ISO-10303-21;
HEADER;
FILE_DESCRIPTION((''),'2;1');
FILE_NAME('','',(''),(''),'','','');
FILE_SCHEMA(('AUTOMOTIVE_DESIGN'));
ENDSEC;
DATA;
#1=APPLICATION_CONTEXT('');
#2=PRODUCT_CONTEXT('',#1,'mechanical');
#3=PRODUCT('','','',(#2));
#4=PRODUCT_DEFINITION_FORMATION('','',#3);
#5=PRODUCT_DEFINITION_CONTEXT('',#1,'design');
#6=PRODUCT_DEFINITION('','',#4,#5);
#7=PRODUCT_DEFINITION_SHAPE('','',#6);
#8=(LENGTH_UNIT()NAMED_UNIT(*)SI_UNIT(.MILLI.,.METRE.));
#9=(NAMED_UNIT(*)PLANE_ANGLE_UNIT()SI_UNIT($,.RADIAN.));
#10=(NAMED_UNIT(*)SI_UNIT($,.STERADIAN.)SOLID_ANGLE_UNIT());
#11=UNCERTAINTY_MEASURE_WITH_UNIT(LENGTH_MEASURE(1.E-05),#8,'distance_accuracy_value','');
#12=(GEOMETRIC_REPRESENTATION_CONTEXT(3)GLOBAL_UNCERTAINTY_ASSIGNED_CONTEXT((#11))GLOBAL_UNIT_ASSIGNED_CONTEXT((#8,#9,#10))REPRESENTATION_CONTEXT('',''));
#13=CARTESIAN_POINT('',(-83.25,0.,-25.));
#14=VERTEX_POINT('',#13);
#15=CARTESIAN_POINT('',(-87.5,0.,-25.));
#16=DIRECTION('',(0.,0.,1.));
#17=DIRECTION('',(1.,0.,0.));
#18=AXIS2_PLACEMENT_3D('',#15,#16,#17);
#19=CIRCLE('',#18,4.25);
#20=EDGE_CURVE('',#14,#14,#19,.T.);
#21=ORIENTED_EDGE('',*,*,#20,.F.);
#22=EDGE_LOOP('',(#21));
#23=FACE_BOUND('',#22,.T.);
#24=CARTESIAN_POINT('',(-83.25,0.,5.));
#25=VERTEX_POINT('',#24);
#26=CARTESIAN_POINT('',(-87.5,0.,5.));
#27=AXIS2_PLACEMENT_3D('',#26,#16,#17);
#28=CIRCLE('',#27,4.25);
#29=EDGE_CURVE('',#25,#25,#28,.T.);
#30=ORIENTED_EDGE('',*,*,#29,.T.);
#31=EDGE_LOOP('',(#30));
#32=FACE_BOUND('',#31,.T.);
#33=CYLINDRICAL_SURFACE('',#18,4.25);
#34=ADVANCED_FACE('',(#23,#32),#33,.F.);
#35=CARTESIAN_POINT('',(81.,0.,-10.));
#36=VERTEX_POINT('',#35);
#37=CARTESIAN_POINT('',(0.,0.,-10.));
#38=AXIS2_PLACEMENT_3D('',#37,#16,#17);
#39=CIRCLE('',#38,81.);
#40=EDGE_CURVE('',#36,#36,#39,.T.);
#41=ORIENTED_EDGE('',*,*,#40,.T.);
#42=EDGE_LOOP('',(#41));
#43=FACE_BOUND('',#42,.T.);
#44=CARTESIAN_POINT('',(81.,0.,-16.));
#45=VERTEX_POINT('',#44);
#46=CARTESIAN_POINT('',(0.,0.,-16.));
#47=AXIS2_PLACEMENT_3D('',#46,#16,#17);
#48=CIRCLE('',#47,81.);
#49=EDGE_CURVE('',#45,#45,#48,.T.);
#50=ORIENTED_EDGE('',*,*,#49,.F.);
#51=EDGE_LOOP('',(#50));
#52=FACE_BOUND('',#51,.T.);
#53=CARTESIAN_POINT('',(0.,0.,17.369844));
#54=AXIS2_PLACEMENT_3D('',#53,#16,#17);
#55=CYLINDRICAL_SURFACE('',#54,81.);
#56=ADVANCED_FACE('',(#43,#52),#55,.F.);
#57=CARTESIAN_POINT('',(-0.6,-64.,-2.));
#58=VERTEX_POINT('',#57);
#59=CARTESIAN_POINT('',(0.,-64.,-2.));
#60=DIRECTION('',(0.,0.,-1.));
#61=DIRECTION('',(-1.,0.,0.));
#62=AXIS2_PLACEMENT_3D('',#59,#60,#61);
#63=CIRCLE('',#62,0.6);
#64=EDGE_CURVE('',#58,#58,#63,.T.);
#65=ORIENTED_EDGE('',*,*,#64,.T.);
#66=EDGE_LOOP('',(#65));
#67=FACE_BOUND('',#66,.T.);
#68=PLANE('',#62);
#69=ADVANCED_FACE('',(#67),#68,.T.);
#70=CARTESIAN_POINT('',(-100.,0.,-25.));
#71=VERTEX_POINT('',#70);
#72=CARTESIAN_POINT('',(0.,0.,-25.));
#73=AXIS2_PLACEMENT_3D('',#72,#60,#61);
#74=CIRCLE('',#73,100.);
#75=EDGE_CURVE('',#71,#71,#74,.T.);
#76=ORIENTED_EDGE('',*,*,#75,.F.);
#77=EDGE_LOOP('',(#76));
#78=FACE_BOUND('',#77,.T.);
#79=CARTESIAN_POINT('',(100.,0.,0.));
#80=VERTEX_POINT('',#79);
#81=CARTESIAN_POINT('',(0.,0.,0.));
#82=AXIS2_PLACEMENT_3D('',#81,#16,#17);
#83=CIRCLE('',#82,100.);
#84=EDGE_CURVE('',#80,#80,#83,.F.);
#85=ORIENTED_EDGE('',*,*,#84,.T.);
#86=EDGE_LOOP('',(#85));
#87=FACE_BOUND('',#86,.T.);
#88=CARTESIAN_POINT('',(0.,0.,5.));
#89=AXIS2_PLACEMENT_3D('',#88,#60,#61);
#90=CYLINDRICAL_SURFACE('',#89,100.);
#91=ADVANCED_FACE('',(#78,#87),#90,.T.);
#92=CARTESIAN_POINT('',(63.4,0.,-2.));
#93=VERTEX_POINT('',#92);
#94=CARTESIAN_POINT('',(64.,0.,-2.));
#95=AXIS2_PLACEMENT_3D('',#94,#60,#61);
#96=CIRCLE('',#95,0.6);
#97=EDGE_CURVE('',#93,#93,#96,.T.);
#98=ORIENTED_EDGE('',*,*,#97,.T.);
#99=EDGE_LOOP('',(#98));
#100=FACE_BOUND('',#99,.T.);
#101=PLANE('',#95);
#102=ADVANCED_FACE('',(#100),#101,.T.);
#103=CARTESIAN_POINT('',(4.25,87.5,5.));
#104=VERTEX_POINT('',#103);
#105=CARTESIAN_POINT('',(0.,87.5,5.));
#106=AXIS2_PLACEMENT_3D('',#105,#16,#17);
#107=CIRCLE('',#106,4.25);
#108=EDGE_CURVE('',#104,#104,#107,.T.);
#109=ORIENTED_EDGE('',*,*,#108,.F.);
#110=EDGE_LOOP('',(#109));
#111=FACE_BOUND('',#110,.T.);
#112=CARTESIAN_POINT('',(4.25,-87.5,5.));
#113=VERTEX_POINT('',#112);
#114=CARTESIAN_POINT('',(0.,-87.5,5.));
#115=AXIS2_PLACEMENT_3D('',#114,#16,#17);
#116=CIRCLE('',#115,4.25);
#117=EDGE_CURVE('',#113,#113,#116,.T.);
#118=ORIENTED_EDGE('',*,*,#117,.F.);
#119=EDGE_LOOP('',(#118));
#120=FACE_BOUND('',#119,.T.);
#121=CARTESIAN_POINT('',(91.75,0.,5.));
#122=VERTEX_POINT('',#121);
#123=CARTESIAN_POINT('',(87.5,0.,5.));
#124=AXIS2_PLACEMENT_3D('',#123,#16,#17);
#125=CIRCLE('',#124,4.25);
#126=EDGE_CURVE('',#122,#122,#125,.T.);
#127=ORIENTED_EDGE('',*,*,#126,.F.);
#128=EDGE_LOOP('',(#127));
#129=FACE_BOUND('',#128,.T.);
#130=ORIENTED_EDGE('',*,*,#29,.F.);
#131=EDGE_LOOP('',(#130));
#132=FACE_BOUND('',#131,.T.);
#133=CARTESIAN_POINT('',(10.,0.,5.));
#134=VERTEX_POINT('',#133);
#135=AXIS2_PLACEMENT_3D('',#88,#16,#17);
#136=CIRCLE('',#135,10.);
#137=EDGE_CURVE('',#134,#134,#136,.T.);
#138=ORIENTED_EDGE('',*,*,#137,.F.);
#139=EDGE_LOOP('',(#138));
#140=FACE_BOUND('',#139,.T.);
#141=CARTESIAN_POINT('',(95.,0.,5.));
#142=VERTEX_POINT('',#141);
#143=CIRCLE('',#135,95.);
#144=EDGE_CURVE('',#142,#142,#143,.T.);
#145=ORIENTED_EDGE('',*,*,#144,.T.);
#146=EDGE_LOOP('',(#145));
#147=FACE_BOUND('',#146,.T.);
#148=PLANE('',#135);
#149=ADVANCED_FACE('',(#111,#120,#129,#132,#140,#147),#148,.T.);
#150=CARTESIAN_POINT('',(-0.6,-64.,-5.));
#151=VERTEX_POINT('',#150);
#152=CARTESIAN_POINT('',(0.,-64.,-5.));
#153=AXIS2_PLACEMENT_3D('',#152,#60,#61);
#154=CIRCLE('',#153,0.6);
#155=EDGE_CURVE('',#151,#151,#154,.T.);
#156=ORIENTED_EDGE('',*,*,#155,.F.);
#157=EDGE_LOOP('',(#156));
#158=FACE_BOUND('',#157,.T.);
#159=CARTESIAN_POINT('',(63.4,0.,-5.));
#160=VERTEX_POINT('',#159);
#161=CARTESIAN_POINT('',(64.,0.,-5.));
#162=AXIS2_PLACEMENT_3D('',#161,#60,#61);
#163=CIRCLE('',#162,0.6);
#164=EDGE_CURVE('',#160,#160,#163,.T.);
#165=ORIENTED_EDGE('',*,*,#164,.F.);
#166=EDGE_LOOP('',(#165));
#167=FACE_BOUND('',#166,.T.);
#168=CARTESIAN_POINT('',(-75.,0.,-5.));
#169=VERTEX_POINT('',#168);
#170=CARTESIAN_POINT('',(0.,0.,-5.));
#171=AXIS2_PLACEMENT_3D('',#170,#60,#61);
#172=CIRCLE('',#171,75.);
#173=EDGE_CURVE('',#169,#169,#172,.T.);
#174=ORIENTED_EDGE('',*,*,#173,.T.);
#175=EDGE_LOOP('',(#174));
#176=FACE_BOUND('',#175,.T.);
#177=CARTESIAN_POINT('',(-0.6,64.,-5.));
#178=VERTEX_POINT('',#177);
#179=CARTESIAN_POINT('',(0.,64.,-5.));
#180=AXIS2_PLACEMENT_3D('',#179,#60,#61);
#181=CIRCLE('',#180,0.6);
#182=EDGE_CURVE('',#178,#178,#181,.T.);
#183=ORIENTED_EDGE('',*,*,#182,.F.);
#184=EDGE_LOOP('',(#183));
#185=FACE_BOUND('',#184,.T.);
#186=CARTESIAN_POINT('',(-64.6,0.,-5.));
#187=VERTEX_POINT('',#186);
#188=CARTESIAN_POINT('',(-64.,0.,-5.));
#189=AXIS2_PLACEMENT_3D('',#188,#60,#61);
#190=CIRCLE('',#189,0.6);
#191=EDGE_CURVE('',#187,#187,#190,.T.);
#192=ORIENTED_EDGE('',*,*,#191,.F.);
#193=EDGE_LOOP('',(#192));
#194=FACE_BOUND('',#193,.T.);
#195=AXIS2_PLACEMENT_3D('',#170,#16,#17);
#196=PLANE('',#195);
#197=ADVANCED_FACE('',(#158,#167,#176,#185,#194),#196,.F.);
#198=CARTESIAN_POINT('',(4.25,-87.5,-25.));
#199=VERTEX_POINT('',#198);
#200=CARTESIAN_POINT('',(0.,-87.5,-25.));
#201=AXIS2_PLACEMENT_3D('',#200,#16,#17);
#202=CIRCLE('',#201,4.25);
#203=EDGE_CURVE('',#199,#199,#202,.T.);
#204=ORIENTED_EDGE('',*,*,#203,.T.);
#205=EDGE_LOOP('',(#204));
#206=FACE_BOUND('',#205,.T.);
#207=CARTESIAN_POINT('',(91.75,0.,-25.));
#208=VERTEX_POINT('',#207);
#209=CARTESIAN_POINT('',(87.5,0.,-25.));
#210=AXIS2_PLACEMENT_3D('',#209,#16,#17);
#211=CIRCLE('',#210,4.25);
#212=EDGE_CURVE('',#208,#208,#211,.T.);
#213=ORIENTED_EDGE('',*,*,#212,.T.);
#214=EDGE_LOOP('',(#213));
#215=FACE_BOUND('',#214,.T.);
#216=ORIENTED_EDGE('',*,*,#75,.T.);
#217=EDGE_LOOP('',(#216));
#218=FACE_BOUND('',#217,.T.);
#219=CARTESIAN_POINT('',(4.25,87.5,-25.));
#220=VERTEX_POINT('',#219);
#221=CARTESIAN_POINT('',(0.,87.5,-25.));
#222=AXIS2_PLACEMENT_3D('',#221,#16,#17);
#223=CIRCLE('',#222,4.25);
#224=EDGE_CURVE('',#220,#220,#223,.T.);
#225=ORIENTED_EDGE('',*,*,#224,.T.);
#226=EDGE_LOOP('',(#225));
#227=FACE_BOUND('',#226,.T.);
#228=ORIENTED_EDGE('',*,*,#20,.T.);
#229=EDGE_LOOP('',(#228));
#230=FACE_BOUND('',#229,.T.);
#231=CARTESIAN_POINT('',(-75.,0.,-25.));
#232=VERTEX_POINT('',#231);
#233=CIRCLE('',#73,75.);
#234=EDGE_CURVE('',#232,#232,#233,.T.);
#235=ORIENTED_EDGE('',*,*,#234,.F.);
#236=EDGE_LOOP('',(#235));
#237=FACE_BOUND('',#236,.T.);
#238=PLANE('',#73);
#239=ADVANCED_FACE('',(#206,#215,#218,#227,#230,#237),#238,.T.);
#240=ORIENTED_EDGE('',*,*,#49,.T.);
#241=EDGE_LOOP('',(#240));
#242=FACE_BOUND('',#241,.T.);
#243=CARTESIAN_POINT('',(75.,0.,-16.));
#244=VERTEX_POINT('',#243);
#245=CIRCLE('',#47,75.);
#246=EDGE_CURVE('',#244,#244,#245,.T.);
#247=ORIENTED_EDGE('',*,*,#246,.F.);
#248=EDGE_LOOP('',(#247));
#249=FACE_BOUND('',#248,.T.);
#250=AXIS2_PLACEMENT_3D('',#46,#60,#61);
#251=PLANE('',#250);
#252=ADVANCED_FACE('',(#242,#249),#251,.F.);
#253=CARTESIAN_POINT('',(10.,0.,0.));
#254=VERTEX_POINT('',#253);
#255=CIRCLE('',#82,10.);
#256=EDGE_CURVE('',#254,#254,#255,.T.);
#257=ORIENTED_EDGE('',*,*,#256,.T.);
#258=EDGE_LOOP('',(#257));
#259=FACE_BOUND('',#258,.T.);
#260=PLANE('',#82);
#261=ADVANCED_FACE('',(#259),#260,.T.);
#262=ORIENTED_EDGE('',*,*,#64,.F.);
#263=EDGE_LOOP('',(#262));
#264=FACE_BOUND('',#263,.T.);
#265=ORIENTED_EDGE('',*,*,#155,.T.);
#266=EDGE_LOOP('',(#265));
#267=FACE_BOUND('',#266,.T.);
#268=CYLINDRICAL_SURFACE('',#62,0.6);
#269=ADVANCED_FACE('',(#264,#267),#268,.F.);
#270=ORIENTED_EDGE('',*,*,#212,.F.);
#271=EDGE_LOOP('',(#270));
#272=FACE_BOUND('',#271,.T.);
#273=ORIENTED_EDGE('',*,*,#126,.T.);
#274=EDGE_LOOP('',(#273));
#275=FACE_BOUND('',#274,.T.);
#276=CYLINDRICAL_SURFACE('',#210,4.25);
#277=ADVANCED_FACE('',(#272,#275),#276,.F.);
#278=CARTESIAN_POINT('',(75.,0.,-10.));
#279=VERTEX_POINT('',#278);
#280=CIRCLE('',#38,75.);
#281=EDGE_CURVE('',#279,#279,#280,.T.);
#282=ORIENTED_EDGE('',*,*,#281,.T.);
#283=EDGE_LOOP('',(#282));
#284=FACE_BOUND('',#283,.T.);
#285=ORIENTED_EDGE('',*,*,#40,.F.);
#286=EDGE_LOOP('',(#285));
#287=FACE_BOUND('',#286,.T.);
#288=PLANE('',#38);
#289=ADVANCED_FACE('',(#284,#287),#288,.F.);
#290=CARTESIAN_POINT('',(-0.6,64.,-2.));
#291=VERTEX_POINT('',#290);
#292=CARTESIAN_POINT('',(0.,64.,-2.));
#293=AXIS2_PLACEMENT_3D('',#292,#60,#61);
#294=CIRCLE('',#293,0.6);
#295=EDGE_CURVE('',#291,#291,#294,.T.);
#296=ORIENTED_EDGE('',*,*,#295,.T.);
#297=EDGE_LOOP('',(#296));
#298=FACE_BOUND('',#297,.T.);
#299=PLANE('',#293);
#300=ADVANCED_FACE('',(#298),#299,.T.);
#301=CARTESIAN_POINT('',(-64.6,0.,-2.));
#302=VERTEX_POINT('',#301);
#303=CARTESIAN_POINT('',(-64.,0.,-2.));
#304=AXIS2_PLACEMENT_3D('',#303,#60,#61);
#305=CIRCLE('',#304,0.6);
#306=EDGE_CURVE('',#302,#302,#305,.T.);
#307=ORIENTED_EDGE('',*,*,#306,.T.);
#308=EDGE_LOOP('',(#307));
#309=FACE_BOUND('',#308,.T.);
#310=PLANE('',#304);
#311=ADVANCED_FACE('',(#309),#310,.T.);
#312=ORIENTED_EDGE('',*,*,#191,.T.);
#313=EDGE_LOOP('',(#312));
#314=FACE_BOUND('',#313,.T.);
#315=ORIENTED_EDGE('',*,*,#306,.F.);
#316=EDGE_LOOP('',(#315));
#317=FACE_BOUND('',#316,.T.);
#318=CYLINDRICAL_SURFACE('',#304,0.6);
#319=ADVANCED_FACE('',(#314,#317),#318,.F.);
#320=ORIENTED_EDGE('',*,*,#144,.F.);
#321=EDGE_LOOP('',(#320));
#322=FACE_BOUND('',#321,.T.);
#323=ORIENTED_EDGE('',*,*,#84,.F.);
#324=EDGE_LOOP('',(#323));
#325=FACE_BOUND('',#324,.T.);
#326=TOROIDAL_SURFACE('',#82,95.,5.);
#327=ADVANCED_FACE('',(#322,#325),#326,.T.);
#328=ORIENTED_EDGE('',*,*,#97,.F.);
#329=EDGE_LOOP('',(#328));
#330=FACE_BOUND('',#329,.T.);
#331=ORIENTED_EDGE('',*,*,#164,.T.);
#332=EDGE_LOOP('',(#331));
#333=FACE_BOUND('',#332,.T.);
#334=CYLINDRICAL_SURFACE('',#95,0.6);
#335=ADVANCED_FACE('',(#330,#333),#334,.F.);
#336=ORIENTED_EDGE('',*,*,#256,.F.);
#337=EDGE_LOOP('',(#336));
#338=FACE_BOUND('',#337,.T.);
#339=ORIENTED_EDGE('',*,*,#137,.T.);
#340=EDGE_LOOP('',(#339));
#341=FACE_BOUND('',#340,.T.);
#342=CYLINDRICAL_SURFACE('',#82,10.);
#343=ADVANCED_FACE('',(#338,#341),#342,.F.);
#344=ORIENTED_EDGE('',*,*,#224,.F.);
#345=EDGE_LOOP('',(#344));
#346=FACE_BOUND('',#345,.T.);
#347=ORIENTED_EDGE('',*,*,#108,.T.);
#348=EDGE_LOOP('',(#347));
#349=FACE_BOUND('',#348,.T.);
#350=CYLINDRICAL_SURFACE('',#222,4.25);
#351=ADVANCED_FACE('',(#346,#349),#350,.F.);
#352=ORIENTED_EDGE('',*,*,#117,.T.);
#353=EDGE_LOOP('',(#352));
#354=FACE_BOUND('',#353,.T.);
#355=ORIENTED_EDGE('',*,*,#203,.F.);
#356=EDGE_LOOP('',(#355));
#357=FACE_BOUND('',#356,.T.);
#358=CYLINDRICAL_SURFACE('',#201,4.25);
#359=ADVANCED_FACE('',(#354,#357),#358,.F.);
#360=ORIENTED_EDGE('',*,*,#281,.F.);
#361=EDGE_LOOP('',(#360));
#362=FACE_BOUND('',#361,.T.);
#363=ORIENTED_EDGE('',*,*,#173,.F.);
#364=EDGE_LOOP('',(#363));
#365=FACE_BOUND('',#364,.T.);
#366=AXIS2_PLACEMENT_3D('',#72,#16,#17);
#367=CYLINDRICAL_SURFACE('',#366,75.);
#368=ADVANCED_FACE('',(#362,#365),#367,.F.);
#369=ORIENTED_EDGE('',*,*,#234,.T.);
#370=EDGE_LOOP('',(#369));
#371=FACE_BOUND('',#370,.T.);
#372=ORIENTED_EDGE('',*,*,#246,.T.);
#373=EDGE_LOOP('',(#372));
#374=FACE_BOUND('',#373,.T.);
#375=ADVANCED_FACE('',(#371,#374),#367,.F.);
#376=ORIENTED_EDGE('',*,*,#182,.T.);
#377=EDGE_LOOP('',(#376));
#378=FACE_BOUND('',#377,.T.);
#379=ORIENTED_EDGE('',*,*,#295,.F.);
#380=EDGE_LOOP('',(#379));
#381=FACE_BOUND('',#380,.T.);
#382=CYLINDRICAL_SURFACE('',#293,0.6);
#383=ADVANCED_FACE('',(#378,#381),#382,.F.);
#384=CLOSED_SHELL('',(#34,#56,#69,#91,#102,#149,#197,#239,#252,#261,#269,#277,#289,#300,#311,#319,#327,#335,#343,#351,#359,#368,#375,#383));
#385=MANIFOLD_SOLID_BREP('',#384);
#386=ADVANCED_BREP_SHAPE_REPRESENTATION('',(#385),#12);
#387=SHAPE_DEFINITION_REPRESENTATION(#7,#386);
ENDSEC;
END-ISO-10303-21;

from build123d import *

# Parameters (mm, degrees)
SZKIC1_R                        = 100
DODANIE_WYCI_GNI_CIE2_DEPTH     = 5
SZKIC2_R                        = 100
SZKIC2_R_2                      = 75
DODANIE_WYCI_GNI_CIE3_DEPTH     = 20
ZAOKR_GLENIE1_R                 = 5
SZKIC4_R                        = 10
WYTNIJ_WYCI_GNI_CIE2_DEPTH      = 5
WYTNIJ_WYCI_GNI_CIE3_DEPTH      = 145.568323017
WYTNIJ_WYCI_GNI_CIE3_DEPTH_BACK = 145.568323017
SZKIC3_R                        = 4.25
SZKIC5_W                        = 6
SZKIC5_H                        = 6
SZKIC6_R                        = 0.6
WYTNIJ_WYCI_GNI_CIE4_DEPTH      = 3


with BuildPart() as part:
    # Szkic1 → Dodanie-wyciągnięcie2 (new, symmetric)
    with BuildSketch(Plane.XY):
        Circle(SZKIC1_R)
    extrude(amount=DODANIE_WYCI_GNI_CIE2_DEPTH, both=True)

    # Szkic2 → Dodanie-wyciągnięcie3 (add)
    with BuildSketch(Plane(origin=(0, 0, -5), x_dir=(-1, 0, 0), z_dir=(0, 0, -1))):
        Circle(SZKIC2_R)
        Circle(SZKIC2_R_2, mode=Mode.SUBTRACT)
    extrude(amount=DODANIE_WYCI_GNI_CIE3_DEPTH)

    # Zaokrąglenie1
    zaokr_glenie1_edges = [part.edges().sort_by_distance(p)[0] for p in [
        (-100, 0, 5),
    ]]
    fillet(zaokr_glenie1_edges, radius=ZAOKR_GLENIE1_R)

    # Szkic4 → Wytnij-wyciągnięcie2 (cut)
    with BuildSketch(Plane.XY.offset(5)):
        Circle(SZKIC4_R)
    extrude(amount=-WYTNIJ_WYCI_GNI_CIE2_DEPTH, mode=Mode.SUBTRACT)

    # Szkic3 → Wytnij-wyciągnięcie3 (cut, two sides: drawn at the far end of the back side and taken through both)
    with BuildSketch(Plane.XY.offset(5).offset(-WYTNIJ_WYCI_GNI_CIE3_DEPTH_BACK)):
        with Locations((87.5, 0)):
            Circle(SZKIC3_R)
        with Locations((0, 87.5)):
            Circle(SZKIC3_R)
        with Locations((0, -87.5)):
            Circle(SZKIC3_R)
        with Locations((-87.5, 0)):
            Circle(SZKIC3_R)
    extrude(amount=WYTNIJ_WYCI_GNI_CIE3_DEPTH + WYTNIJ_WYCI_GNI_CIE3_DEPTH_BACK, mode=Mode.SUBTRACT)

    # Szkic5 → Wycięcie-obrót1 (revolve, cut)
    with BuildSketch(Plane(origin=(0, 0, 0), x_dir=(1, 0, 0), z_dir=(0, 1, 0)), mode=Mode.PRIVATE) as wyci_cie_obr_t1_sk:
        with Locations((-78, 13)):
            Rectangle(SZKIC5_W, SZKIC5_H)
    revolve(wyci_cie_obr_t1_sk.sketch.rotate(Axis((0, 0, 17.369843618), (0, 0, -1)), 180), axis=Axis((0, 0, 17.369843618), (0, 0, -1)), mode=Mode.SUBTRACT)

    # Szkic6 → Wytnij-wyciągnięcie4 (cut)
    with BuildSketch(Plane(origin=(0, 0, -5), x_dir=(-1, 0, 0), z_dir=(0, 0, -1))):
        with Locations((0, -64)):
            Circle(SZKIC6_R)
        with Locations((-64, 0)):
            Circle(SZKIC6_R)
        with Locations((0, 64)):
            Circle(SZKIC6_R)
        with Locations((64, 0)):
            Circle(SZKIC6_R)
    extrude(amount=-WYTNIJ_WYCI_GNI_CIE4_DEPTH, mode=Mode.SUBTRACT)


solid = part.part
